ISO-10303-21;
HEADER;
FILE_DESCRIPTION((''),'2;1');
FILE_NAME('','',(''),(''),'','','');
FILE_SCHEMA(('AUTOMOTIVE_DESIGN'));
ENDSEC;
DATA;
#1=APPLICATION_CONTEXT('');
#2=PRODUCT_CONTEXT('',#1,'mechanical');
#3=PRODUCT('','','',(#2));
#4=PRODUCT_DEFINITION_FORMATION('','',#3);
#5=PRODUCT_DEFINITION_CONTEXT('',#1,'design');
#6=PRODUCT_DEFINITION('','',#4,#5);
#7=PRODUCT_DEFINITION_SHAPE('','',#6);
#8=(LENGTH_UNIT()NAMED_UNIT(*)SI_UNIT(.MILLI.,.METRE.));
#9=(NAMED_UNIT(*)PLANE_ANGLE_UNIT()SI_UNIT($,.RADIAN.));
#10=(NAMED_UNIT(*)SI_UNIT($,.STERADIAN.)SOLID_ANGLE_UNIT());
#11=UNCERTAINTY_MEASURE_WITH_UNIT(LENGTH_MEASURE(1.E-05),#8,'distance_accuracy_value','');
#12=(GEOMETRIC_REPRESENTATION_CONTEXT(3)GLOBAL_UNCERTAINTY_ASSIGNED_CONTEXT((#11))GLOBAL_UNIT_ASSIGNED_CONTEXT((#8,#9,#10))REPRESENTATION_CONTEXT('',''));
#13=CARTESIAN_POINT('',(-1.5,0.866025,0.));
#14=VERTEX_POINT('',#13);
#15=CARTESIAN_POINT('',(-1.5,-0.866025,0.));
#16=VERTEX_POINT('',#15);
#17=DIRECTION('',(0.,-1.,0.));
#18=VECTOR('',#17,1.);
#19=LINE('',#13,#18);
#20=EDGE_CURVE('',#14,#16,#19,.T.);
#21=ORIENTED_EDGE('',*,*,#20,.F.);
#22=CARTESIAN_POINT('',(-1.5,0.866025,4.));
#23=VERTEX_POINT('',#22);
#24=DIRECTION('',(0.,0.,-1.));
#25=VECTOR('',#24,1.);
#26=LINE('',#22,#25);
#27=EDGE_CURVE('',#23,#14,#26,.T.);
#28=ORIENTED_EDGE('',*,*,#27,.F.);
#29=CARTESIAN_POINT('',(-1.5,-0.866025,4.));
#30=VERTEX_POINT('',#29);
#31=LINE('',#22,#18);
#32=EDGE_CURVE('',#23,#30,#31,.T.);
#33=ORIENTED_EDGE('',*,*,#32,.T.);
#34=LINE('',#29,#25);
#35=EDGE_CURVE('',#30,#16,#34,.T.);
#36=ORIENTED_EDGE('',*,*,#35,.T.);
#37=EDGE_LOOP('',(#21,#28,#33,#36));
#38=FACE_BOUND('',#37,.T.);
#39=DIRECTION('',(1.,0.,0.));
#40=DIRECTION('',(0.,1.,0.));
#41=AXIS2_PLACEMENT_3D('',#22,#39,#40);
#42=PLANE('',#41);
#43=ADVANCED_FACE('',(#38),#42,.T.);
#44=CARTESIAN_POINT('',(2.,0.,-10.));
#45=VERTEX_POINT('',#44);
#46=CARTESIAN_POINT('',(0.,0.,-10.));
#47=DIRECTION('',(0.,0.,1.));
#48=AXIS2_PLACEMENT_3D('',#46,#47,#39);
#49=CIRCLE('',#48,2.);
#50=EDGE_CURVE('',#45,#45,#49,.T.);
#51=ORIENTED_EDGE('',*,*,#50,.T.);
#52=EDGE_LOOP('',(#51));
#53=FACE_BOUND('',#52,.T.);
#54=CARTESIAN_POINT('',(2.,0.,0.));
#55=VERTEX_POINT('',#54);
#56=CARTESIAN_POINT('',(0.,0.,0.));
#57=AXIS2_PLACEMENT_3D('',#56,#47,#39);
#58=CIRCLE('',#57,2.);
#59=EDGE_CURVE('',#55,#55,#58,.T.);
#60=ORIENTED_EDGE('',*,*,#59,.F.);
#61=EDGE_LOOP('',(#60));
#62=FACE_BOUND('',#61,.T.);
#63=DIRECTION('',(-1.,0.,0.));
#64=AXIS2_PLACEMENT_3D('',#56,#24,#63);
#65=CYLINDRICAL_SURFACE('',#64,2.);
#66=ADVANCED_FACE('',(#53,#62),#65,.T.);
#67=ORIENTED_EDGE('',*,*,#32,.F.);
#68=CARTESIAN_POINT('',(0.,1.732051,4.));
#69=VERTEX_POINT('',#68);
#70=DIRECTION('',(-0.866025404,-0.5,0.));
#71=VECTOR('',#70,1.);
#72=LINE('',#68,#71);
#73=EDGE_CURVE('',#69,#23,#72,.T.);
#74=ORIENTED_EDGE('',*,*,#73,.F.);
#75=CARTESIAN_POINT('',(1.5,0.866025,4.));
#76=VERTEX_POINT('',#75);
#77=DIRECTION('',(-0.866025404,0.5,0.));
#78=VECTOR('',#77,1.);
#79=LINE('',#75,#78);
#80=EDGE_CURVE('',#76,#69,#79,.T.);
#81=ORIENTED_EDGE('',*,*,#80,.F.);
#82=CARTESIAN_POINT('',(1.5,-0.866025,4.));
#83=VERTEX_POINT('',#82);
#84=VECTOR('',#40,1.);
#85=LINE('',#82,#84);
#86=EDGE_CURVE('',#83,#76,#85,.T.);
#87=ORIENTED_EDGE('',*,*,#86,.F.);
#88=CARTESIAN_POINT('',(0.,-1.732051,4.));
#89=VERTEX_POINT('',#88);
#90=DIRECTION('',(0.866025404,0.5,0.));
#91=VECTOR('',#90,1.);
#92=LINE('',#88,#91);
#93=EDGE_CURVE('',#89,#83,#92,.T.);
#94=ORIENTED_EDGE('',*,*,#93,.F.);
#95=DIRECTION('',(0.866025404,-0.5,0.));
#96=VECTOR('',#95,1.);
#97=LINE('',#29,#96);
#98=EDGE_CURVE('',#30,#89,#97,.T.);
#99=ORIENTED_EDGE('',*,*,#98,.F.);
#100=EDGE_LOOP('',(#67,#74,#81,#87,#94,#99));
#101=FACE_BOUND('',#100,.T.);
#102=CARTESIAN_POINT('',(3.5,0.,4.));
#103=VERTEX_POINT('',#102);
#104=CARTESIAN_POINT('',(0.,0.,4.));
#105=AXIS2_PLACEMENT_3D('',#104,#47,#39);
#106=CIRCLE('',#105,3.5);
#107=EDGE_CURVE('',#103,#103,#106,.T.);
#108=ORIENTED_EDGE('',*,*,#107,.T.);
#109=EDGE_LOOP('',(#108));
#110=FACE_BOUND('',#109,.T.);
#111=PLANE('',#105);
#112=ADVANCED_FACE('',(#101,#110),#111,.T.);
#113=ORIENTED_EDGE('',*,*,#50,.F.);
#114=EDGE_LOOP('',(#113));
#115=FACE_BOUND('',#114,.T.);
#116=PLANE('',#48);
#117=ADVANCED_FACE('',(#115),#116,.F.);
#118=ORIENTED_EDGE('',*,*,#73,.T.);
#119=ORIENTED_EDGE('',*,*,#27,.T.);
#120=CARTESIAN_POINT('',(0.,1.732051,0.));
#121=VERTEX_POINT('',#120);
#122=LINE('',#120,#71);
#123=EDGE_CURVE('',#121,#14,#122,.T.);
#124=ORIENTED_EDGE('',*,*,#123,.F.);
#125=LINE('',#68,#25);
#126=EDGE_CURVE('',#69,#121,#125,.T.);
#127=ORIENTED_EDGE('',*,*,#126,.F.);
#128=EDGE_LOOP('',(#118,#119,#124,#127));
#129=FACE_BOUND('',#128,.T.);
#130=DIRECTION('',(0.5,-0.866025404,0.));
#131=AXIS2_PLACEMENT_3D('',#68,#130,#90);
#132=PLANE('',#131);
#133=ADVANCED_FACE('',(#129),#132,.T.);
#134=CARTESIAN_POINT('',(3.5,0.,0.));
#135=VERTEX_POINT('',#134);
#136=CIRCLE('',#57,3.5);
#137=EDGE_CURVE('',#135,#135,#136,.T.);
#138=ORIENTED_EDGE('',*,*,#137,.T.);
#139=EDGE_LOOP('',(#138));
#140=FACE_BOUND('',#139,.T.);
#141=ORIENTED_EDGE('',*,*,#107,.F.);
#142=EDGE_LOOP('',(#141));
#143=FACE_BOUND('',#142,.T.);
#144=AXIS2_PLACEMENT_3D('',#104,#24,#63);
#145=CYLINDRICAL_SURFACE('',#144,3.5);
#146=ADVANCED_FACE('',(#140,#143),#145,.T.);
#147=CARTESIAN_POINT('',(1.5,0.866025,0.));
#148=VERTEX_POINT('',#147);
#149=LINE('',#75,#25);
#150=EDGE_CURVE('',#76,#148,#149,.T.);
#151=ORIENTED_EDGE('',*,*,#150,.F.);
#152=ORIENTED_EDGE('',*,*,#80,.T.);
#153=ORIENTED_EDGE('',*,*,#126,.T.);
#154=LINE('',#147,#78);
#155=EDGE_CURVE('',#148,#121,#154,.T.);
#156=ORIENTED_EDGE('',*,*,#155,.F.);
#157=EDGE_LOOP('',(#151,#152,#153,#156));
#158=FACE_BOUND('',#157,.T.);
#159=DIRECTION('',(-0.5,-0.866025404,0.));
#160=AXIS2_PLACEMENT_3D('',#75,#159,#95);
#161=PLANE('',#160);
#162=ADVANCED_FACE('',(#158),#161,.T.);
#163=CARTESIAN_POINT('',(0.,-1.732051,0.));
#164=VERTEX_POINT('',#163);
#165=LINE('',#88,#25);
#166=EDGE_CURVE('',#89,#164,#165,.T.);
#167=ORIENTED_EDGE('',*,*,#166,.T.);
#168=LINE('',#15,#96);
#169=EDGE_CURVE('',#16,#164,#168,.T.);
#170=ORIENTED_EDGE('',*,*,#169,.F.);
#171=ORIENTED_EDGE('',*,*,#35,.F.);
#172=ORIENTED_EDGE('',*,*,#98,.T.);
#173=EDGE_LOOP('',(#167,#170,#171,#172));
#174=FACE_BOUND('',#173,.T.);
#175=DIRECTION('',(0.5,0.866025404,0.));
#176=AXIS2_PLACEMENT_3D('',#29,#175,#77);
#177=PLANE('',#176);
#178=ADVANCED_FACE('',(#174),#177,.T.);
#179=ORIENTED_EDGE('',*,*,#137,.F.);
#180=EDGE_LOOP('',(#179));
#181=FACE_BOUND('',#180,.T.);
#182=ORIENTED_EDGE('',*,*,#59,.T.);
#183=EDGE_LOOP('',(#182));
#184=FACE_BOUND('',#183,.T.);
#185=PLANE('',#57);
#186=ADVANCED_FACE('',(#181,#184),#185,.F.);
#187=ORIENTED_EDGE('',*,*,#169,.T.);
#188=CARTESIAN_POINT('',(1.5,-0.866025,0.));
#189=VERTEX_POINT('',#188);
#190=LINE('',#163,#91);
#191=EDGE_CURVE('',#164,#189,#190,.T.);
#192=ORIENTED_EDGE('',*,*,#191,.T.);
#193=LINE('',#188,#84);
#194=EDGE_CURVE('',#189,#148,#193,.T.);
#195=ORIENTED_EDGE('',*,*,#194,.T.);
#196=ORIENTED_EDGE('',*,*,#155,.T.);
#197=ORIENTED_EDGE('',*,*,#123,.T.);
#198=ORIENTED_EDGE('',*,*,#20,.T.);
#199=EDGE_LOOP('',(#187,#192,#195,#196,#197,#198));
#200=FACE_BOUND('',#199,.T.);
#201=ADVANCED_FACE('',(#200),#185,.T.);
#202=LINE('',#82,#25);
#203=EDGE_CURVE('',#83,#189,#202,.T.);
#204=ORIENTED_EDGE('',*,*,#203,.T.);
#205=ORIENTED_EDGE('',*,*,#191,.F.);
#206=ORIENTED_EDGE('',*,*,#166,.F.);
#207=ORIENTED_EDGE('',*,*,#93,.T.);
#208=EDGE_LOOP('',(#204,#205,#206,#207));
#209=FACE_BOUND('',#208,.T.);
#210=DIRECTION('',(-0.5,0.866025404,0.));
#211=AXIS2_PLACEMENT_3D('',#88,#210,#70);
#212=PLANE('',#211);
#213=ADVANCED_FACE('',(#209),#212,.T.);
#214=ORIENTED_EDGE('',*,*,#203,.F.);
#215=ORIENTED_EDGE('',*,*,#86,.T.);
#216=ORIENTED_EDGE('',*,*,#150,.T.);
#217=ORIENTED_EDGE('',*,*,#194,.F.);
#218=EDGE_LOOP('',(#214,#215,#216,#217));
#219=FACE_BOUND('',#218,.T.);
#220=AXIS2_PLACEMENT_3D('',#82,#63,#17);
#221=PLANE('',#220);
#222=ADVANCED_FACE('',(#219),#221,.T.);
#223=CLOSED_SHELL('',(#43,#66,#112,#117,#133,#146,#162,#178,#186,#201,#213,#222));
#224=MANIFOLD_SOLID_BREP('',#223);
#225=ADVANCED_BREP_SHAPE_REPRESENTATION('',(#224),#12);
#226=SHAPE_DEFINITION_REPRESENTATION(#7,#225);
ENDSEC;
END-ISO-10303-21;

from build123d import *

# Parameters (mm, degrees)
THREAD_ENVELOPE_START = -10
PROFILE_1_R           = 2
THREAD_ENVELOPE_DEPTH = 10
PROFILE_2_R           = 3.5
SOCKET_HEAD_DEPTH     = 4


with BuildPart() as part:
    # Profile_1 → Thread_envelope (new body)
    with BuildSketch(Plane.XY.offset(THREAD_ENVELOPE_START)):
        Circle(PROFILE_1_R)
    extrude(amount=THREAD_ENVELOPE_DEPTH)

    # Profile_2 → Socket_head (add)
    with BuildSketch(Plane.XY):
        Circle(PROFILE_2_R)
        Polygon((1.5, 0.866025404), (0, 1.732050808), (-1.5, 0.866025404), (-1.5, -0.866025404), (0, -1.732050808), (1.5, -0.866025404), align=None, mode=Mode.SUBTRACT)
    extrude(amount=SOCKET_HEAD_DEPTH)


solid = part.part
